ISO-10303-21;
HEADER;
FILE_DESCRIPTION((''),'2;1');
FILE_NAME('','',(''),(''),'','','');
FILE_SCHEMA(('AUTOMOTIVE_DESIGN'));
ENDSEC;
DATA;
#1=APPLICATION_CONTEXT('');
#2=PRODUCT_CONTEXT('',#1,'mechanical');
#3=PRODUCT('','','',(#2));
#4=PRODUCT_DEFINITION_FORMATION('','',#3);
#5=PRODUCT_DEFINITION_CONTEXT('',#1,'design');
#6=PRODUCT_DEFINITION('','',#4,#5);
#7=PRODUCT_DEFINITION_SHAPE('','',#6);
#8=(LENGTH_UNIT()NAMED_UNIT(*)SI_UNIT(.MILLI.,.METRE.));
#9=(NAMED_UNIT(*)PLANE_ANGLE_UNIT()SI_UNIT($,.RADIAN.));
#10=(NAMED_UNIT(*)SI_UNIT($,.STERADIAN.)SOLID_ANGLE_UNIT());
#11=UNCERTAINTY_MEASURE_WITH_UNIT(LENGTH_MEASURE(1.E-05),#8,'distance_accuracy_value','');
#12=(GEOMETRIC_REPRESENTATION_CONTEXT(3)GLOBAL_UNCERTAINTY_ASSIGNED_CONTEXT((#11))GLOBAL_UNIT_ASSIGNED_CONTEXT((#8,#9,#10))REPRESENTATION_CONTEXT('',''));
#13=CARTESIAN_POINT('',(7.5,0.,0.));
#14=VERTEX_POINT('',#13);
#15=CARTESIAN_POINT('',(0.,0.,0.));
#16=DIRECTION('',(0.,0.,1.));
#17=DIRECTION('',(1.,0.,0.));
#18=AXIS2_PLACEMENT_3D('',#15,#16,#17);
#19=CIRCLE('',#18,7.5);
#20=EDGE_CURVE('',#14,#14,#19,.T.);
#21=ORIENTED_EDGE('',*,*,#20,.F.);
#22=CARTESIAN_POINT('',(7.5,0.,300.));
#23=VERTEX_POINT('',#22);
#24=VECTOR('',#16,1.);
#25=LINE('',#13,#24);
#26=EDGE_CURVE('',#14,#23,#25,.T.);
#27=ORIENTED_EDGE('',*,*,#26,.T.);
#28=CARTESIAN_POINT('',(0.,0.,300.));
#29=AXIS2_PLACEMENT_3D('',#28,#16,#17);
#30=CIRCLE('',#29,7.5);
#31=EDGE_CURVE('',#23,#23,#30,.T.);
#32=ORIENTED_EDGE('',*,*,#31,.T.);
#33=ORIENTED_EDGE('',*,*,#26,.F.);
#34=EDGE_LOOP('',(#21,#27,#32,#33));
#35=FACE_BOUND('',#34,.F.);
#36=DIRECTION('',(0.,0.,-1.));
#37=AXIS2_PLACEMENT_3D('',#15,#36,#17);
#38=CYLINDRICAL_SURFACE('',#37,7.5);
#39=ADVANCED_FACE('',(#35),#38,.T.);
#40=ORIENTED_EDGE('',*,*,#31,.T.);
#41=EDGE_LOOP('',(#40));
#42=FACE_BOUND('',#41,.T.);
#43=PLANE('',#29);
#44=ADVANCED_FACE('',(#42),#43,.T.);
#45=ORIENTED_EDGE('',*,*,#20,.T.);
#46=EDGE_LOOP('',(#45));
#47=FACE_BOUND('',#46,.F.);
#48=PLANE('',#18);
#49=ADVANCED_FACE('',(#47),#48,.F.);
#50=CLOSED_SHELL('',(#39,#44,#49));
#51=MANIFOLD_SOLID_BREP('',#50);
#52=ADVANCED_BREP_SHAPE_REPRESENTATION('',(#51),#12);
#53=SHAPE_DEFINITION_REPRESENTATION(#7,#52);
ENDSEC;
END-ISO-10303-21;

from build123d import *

# Parameters (mm, degrees)
SKETCH_1_R      = 7.5
EXTRUDE_1_DEPTH = 300


with BuildPart() as part:
    # 草图1 → 凸台-拉伸1 (new body)
    with BuildSketch(Plane.XY):
        Circle(SKETCH_1_R)
    extrude(amount=EXTRUDE_1_DEPTH)


solid = part.part
